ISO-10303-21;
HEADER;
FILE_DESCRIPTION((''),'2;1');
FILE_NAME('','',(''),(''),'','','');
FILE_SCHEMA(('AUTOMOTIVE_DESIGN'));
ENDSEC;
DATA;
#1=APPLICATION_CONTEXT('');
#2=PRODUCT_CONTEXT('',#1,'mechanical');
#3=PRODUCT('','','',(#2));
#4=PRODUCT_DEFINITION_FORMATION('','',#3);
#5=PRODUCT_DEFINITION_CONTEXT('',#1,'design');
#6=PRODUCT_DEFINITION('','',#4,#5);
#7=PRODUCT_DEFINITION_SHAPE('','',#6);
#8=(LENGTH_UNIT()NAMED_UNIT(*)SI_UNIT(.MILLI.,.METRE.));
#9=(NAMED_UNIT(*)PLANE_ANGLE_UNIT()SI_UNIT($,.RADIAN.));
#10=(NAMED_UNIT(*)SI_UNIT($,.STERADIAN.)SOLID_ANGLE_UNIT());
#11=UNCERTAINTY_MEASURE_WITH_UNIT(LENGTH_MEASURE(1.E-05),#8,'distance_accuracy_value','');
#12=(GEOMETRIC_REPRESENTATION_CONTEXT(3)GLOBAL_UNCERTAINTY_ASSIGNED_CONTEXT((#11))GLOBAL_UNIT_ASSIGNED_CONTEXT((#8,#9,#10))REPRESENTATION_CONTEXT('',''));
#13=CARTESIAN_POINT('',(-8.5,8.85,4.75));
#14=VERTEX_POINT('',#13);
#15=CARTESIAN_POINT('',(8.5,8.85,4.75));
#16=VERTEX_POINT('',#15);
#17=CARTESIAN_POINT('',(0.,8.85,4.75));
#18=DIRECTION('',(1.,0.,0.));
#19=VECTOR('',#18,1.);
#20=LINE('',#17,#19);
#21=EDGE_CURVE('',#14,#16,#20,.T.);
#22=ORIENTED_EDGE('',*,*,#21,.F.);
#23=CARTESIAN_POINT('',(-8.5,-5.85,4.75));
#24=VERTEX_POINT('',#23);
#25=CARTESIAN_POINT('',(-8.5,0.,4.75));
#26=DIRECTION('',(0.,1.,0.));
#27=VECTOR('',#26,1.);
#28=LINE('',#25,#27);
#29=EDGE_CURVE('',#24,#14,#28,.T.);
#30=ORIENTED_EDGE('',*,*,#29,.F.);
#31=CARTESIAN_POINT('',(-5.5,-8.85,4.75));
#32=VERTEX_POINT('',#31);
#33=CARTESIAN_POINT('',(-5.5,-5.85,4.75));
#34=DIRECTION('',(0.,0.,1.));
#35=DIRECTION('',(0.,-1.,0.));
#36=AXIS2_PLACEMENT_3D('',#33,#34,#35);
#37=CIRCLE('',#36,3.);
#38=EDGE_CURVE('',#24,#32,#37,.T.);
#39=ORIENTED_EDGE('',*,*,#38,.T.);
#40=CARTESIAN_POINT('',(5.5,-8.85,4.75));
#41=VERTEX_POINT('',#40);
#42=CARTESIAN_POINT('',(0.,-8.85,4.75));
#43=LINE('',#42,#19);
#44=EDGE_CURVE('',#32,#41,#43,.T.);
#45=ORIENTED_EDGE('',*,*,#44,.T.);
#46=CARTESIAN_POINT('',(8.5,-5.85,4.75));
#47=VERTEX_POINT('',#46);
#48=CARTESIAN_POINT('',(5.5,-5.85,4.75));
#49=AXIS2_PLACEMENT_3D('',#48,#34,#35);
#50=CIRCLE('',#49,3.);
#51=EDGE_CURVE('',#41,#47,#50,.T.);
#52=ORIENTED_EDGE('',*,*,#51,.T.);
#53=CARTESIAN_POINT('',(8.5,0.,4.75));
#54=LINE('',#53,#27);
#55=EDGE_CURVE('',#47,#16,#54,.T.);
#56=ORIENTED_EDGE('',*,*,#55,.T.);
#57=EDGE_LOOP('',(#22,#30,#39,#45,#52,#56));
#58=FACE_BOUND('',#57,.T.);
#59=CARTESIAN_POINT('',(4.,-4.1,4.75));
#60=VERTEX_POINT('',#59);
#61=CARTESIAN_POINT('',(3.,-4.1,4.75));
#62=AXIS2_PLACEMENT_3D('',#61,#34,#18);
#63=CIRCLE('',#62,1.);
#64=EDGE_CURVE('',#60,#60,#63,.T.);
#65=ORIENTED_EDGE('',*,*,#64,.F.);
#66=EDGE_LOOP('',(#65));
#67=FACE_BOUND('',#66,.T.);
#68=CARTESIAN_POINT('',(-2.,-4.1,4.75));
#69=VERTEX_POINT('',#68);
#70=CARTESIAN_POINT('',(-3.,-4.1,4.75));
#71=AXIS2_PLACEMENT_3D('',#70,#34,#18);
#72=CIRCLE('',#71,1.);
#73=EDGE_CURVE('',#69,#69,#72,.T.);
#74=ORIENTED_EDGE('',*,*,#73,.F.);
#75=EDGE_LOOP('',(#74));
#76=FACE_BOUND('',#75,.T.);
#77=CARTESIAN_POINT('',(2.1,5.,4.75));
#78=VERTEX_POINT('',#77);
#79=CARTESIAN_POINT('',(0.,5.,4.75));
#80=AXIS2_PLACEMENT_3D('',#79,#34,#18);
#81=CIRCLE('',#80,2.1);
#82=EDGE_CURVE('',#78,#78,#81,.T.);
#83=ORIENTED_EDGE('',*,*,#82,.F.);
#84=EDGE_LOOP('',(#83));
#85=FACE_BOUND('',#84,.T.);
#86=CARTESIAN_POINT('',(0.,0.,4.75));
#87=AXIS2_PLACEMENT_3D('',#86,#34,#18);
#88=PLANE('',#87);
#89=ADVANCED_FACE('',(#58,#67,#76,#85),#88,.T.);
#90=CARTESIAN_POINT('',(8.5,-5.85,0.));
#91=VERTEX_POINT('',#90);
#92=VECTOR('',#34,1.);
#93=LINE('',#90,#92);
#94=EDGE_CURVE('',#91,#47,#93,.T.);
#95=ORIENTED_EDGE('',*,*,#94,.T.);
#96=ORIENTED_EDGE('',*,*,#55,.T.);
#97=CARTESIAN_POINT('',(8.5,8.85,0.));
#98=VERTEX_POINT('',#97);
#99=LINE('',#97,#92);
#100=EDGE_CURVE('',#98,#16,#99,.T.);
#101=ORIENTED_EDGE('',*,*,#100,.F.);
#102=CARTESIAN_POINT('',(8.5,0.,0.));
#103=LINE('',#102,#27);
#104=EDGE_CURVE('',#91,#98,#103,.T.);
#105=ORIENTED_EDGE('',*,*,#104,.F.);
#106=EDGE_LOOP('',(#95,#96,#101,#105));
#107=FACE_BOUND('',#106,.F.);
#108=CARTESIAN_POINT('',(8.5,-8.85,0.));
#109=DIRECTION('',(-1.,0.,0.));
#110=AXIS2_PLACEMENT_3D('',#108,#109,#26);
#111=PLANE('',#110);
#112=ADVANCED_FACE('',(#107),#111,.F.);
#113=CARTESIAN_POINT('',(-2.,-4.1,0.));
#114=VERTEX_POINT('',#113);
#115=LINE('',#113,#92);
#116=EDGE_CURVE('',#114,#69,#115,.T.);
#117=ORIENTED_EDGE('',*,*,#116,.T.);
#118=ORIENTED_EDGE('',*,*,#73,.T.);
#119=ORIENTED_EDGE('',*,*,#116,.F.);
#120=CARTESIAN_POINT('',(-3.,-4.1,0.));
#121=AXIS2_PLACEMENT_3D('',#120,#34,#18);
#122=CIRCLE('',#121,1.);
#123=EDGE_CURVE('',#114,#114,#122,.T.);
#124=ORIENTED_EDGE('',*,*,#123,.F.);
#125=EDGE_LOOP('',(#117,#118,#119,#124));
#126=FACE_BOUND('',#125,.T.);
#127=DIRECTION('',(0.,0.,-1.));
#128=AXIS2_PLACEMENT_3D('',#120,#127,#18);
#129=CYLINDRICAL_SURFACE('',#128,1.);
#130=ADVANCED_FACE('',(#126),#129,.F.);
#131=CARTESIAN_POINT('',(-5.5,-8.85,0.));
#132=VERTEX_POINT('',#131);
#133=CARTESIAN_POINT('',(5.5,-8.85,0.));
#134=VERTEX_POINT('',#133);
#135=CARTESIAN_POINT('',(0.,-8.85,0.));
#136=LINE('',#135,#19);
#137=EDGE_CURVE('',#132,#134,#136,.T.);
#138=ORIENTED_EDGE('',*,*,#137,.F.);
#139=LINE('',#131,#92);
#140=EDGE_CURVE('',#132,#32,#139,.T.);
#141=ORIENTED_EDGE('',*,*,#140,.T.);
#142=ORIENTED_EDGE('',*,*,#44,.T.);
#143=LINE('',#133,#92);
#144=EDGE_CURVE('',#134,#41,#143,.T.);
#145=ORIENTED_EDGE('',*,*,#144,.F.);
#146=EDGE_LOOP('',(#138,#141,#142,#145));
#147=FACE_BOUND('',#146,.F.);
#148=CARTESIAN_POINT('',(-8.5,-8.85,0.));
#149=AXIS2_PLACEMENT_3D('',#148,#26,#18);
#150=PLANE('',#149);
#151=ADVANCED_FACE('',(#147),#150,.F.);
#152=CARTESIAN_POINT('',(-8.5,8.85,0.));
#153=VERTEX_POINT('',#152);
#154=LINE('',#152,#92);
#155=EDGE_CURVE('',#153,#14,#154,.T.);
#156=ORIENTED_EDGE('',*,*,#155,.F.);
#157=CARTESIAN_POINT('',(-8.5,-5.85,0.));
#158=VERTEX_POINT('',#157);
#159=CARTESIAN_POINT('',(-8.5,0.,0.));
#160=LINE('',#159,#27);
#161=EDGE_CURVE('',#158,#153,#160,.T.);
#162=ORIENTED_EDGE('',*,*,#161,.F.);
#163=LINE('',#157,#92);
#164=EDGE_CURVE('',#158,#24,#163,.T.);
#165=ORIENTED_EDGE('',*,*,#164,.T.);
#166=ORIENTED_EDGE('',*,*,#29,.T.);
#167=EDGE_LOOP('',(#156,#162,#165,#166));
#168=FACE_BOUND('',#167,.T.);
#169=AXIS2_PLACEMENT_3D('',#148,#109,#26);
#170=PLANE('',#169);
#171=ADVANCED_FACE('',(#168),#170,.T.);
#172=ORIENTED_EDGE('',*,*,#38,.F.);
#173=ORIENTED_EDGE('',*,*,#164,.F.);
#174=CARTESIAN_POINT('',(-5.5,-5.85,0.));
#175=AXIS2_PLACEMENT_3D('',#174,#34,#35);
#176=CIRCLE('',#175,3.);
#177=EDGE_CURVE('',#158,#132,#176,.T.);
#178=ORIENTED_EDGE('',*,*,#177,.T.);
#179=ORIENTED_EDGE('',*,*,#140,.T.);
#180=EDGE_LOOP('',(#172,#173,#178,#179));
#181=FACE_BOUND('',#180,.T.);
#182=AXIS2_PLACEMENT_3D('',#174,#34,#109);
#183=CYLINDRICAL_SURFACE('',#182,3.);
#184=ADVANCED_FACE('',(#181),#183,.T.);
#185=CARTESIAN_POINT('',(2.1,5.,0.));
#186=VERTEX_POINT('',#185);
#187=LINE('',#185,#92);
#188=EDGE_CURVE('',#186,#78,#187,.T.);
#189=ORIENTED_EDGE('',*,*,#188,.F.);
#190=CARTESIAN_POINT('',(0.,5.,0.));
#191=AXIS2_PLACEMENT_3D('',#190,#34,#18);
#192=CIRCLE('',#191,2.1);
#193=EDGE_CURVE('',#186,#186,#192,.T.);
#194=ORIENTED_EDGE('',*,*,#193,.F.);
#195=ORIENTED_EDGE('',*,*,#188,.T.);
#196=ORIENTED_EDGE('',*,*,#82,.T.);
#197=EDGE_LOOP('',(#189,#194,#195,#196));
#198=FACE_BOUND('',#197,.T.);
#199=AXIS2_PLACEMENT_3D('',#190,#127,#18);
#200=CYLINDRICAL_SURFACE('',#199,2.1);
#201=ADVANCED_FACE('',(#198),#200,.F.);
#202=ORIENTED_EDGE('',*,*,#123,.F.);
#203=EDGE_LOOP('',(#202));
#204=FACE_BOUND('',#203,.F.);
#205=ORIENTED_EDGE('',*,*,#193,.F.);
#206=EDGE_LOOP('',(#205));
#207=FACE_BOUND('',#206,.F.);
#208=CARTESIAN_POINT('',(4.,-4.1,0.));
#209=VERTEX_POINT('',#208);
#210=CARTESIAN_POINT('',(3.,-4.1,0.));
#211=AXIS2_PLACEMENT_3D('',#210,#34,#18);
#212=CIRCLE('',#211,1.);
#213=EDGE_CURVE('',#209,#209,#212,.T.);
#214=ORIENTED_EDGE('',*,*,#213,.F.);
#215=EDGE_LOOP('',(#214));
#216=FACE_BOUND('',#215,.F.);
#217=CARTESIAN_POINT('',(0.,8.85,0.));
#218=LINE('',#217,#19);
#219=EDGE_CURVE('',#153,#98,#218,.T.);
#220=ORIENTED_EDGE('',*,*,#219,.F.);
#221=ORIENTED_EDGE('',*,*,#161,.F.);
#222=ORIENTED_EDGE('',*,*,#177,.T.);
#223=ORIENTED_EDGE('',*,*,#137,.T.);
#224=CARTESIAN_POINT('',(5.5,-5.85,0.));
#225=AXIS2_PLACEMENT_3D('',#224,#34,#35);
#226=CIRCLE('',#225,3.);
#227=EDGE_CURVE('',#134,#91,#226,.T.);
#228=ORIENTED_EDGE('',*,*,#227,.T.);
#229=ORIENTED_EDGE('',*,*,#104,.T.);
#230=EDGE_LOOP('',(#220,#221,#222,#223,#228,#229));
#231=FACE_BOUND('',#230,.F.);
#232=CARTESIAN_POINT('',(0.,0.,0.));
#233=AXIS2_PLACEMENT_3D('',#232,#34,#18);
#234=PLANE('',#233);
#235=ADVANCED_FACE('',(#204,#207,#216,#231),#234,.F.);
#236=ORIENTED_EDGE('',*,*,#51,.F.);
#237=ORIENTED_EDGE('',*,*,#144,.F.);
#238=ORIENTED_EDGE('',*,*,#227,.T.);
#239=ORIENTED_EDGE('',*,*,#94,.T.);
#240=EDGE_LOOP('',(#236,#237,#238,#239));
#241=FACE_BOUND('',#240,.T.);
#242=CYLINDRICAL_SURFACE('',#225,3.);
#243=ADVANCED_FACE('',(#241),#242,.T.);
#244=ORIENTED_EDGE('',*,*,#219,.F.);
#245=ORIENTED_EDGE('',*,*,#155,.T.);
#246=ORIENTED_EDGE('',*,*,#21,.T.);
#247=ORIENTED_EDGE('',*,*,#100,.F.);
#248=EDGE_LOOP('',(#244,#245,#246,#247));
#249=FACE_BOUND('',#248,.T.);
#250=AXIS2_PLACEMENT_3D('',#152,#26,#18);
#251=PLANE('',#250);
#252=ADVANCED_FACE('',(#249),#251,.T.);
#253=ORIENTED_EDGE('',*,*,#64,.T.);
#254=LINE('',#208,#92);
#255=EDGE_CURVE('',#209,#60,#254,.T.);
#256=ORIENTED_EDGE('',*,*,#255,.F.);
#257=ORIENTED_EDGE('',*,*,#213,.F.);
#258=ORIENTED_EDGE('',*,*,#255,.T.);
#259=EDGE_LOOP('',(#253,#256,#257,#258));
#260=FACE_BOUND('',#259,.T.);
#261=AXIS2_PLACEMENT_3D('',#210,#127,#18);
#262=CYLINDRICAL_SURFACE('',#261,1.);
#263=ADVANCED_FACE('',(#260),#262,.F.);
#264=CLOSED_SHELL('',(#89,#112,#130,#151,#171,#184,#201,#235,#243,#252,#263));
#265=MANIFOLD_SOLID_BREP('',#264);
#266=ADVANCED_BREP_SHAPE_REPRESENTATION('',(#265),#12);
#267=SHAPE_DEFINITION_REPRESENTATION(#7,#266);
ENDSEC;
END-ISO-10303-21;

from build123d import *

# Parameters (mm, degrees)
F0_W     = 17
F0_H     = 17.7
F0_R     = 1
F0_R_2   = 2.1
F1_DEPTH = 4.75
F2_R     = 3


with BuildPart() as f1:
    # F0 (on Top) → F1 (new body)
    with BuildSketch(Plane.XY):
        Rectangle(F0_W, F0_H)
        with Locations((-3, -4.1)):
            Circle(F0_R, mode=Mode.SUBTRACT)
        with Locations((3, -4.1)):
            Circle(F0_R, mode=Mode.SUBTRACT)
        with Locations((0, 5)):
            Circle(F0_R_2, mode=Mode.SUBTRACT)
    extrude(amount=F1_DEPTH)

    # F2
    f2_edges = [f1.edges().sort_by_distance(p)[0] for p in [
        (-8.5, -8.85, 2.375),
        (8.5, -8.85, 2.375),
    ]]
    fillet(f2_edges, radius=F2_R)


solid = f1.part
